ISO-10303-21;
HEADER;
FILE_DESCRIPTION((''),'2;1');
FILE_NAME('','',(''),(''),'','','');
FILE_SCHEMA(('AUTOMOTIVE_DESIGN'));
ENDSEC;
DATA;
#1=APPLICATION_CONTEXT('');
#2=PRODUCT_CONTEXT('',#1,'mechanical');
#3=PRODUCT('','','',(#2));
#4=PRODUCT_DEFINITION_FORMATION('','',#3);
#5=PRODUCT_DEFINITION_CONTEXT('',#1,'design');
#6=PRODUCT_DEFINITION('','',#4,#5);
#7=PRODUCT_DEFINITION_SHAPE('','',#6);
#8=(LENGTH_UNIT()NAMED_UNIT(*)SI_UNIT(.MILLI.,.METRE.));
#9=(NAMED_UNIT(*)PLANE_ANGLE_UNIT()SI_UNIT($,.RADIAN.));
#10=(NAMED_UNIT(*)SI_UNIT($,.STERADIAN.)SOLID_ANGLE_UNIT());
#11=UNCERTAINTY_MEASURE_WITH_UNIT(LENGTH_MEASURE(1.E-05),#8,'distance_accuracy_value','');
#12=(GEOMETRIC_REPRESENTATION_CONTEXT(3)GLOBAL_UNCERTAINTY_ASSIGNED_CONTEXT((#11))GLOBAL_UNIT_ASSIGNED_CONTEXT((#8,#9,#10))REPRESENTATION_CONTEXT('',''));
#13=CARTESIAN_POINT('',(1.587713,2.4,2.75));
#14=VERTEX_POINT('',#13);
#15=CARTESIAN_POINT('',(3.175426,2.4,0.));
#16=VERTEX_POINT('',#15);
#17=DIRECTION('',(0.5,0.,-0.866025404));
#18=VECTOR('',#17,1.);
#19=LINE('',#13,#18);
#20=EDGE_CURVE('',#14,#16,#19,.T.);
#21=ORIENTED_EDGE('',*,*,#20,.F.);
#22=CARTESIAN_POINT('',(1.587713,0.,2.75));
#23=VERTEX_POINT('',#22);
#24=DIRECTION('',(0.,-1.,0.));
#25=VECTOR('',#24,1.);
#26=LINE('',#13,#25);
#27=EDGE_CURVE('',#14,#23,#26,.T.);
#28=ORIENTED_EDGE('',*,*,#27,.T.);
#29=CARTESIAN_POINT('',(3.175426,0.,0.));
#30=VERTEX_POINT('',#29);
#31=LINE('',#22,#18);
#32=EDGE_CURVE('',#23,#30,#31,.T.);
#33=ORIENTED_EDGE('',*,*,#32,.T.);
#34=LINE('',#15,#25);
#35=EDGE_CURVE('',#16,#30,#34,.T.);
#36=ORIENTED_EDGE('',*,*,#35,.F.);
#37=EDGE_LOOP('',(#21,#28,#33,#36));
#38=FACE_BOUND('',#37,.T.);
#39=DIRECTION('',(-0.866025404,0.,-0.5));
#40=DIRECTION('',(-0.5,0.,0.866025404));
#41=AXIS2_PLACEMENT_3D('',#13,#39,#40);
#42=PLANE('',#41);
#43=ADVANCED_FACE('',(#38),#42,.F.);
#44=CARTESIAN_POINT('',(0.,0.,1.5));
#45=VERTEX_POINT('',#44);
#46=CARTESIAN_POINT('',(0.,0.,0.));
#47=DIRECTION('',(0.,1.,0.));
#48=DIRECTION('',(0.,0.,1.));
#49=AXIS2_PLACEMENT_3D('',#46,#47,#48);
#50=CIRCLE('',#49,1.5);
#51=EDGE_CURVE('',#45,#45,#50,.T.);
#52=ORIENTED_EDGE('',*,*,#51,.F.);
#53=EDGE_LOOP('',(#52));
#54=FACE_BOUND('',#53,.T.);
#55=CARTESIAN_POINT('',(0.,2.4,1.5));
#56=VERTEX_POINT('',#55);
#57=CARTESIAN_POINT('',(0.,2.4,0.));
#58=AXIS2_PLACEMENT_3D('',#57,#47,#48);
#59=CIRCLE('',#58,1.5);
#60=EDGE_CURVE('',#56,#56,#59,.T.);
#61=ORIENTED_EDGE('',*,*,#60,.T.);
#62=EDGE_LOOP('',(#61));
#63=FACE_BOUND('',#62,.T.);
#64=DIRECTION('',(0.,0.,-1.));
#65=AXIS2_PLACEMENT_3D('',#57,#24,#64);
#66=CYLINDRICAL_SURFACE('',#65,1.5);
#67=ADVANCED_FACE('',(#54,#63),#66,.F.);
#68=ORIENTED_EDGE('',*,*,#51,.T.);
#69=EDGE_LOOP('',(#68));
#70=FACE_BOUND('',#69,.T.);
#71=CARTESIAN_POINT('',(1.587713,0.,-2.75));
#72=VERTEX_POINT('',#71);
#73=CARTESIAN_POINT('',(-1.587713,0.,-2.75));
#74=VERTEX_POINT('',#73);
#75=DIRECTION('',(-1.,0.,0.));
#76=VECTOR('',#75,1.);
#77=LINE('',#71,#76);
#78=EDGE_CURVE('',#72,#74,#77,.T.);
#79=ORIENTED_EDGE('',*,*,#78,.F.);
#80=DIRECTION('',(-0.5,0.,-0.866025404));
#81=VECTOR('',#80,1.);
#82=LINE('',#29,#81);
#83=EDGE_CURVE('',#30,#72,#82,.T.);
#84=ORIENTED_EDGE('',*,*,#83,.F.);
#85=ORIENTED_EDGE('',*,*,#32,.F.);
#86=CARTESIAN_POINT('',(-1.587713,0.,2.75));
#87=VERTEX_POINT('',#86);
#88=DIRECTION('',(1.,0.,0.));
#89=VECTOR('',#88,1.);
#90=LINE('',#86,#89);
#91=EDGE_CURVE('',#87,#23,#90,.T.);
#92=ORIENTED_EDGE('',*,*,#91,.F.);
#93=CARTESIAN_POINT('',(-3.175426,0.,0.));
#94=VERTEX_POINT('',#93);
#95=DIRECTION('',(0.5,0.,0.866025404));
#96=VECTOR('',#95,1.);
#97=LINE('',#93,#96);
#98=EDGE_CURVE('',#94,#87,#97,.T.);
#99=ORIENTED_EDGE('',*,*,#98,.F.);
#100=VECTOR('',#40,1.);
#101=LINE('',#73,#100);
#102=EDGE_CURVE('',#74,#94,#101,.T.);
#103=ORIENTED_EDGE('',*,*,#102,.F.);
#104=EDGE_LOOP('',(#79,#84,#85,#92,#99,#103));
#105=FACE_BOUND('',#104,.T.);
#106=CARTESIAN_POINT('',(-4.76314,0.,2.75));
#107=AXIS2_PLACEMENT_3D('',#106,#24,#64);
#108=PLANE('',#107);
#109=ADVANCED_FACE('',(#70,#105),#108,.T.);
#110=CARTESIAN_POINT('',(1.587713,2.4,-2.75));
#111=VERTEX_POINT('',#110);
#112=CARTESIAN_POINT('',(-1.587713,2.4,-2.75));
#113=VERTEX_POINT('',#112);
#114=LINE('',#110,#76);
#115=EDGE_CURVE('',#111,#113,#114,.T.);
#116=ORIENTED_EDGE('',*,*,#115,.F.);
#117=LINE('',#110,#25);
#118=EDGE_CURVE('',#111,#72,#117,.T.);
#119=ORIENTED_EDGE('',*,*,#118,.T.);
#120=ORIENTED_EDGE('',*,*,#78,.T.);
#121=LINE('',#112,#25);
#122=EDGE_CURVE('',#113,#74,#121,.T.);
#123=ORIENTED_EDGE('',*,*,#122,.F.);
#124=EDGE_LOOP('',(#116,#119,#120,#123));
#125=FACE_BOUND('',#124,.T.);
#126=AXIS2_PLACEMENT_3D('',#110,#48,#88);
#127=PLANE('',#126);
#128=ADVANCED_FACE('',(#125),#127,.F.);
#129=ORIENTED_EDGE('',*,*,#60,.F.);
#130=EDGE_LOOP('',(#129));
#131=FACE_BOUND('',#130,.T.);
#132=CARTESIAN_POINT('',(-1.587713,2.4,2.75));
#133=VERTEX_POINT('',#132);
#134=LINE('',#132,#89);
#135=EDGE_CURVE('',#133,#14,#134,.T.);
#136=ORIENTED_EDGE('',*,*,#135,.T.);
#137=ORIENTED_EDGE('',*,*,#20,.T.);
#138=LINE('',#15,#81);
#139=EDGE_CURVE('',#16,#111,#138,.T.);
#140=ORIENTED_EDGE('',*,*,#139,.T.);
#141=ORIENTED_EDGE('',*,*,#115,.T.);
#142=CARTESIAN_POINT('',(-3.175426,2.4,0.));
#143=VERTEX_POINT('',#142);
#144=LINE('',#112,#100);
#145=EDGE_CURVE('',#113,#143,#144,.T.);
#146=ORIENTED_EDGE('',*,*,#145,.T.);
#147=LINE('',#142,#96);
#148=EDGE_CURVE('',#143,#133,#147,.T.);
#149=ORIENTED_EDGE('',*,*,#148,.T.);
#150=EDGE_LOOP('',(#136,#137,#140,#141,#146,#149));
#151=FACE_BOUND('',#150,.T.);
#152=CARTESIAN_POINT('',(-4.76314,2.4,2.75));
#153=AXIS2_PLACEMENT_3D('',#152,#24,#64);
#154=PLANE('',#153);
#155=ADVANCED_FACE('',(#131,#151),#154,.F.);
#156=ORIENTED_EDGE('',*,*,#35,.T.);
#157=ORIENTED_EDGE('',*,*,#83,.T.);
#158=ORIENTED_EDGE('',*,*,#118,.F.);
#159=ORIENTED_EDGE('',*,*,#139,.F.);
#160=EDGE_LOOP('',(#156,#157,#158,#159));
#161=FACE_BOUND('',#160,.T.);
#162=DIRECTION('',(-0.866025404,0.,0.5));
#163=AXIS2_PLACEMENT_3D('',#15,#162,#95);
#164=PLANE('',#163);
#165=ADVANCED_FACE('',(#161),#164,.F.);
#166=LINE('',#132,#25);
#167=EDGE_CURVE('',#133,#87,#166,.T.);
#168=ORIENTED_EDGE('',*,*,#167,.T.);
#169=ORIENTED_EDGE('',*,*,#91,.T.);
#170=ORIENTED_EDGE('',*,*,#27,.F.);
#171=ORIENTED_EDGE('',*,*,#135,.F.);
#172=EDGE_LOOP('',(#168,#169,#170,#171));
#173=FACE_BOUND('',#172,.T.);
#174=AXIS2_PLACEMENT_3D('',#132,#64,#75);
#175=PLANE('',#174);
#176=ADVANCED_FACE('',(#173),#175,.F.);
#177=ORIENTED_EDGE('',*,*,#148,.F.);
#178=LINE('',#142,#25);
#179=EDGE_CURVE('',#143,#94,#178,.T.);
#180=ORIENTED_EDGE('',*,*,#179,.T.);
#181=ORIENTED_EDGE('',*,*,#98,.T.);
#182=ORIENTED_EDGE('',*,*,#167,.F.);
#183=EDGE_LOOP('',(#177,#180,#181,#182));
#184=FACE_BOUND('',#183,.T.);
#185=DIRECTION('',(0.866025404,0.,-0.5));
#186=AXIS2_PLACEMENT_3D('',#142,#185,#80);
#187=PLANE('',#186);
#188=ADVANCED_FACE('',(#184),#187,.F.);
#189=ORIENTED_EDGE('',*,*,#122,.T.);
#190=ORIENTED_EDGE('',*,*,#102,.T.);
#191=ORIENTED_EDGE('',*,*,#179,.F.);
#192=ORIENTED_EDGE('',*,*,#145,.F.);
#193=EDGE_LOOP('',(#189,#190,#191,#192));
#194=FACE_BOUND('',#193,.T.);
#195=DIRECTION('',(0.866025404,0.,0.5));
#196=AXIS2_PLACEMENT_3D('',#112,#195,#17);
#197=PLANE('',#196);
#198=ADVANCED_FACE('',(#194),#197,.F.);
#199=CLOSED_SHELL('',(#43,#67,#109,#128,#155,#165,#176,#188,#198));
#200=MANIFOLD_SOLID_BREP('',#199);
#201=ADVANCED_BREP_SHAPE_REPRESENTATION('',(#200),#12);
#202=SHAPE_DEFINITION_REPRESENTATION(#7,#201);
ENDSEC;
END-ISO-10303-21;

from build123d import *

# Parameters (mm, degrees)
SKETCH1_R      = 1.5
EXTRUDE1_DEPTH = 2.4


with BuildPart() as part:
    # Sketch1 → Extrude1 (new body)
    with BuildSketch(Plane(origin=(0, 0, 0), x_dir=(1, 0, 0), z_dir=(0, 1, 0))):
        Polygon((1.58771324, -2.75), (3.175426481, 0), (1.58771324, 2.75), (-1.58771324, 2.75), (-3.175426481, 0), (-1.58771324, -2.75), align=None)
        with Locations(Location((0, 0, 0), (0, 0, 270))):  # turned: the seam where the file's is
            Circle(SKETCH1_R, mode=Mode.SUBTRACT)
    extrude(amount=EXTRUDE1_DEPTH)


solid = part.part
